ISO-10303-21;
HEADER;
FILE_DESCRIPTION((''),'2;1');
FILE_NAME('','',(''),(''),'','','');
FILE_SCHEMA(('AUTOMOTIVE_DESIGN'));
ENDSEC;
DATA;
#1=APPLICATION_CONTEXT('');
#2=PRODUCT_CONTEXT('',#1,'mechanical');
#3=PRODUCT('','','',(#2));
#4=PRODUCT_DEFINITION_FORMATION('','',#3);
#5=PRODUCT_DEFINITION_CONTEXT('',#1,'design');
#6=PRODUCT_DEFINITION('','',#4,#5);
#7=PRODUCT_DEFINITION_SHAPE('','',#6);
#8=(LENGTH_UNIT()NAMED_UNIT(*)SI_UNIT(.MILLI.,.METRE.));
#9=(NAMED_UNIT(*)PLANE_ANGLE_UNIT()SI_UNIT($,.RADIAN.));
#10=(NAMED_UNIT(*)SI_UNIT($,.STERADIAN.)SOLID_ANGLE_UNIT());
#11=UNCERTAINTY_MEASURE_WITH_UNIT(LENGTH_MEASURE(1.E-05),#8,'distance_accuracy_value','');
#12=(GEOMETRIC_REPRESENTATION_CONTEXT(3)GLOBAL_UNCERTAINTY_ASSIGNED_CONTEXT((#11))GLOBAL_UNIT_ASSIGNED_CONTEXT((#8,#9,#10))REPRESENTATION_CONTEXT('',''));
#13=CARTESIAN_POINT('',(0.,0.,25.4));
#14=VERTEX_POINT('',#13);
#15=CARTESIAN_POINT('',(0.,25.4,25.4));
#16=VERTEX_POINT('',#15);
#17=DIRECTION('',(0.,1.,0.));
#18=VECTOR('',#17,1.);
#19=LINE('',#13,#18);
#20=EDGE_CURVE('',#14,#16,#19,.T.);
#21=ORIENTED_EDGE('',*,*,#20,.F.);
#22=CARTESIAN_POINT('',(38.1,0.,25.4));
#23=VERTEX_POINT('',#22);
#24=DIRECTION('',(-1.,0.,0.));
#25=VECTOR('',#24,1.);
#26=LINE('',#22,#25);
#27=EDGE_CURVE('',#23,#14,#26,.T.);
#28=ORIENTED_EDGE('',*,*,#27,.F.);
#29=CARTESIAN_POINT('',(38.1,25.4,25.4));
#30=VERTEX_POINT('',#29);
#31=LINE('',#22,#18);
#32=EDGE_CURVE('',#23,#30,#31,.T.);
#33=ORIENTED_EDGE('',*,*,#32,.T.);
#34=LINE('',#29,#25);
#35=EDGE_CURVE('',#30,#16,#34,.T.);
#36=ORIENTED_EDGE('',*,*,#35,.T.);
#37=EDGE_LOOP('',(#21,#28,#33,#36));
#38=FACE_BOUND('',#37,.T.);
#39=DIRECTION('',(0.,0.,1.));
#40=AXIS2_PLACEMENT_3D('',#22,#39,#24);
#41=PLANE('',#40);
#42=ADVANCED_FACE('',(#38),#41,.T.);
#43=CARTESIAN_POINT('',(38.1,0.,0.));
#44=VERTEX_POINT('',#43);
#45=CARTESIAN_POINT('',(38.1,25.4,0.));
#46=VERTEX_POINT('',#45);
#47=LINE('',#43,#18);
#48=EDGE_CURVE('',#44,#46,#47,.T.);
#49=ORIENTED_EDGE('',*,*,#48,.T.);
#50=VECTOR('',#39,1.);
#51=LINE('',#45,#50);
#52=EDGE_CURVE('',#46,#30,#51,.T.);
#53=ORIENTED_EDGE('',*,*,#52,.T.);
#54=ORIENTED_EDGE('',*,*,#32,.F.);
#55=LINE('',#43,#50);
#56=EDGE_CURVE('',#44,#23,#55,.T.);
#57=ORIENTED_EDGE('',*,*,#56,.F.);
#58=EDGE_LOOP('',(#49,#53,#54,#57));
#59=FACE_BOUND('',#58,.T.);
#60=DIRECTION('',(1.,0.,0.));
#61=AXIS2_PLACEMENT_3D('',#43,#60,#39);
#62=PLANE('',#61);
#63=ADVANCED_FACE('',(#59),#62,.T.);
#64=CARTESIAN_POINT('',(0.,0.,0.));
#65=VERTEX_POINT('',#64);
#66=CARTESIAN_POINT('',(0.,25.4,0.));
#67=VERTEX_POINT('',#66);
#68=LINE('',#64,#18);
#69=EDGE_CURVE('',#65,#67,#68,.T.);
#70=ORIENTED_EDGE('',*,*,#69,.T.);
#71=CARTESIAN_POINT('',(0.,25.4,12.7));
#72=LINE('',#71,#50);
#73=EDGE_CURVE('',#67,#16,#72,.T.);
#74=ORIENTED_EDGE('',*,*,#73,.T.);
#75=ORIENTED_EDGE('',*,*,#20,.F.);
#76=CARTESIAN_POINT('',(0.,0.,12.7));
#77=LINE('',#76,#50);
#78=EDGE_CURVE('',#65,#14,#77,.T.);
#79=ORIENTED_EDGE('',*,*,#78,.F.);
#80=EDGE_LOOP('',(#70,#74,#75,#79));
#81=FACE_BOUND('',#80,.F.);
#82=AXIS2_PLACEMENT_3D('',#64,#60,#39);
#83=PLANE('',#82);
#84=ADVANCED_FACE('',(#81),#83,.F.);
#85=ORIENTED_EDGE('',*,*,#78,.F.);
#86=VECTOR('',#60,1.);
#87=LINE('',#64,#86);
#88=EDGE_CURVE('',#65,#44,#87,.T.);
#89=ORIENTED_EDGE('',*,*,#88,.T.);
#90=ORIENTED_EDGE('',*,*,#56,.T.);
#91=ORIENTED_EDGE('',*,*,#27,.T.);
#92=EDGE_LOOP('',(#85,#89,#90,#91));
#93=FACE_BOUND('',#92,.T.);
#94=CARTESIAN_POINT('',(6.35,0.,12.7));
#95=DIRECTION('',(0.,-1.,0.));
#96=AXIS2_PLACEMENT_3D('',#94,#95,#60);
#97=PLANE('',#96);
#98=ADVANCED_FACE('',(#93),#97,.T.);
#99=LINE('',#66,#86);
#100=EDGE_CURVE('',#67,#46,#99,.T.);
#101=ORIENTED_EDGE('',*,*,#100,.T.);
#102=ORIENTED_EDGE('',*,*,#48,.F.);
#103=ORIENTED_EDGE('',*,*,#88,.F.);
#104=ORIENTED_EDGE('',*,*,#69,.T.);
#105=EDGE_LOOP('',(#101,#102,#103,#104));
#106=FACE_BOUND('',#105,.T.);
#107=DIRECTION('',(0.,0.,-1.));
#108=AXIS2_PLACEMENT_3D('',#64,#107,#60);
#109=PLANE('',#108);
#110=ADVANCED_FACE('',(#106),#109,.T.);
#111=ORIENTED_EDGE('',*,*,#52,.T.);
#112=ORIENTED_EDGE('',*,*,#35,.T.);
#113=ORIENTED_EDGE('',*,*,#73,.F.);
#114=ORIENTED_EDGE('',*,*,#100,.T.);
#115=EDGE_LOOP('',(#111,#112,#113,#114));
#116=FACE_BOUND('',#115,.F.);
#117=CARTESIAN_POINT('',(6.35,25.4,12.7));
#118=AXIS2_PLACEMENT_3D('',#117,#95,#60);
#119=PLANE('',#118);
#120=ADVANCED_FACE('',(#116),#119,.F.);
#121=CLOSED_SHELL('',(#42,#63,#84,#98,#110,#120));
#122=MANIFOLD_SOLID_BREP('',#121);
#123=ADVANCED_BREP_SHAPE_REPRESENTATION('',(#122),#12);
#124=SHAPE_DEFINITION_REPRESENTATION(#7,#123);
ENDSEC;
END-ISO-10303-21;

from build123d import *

# Parameters (mm, degrees)
F0_W     = 12.7
F0_H     = 25.4
F0_H_2   = 12.7
F1_DEPTH = 25.4


with BuildPart() as f1:
    # F0 (on Front) → F1 (new body)
    with BuildSketch(Plane.XZ):
        with Locations((6.35, 12.7)):
            Rectangle(F0_W, F0_H)
        Polygon((12.7, 25.4), (12.7, 0), (25.4, 0), (25.4, 12.7), (38.1, 12.7), (38.1, 25.4), align=None)
        with Locations((31.75, 6.35)):
            Rectangle(F0_W, F0_H_2)
    extrude(amount=-F1_DEPTH)


solid = f1.part
